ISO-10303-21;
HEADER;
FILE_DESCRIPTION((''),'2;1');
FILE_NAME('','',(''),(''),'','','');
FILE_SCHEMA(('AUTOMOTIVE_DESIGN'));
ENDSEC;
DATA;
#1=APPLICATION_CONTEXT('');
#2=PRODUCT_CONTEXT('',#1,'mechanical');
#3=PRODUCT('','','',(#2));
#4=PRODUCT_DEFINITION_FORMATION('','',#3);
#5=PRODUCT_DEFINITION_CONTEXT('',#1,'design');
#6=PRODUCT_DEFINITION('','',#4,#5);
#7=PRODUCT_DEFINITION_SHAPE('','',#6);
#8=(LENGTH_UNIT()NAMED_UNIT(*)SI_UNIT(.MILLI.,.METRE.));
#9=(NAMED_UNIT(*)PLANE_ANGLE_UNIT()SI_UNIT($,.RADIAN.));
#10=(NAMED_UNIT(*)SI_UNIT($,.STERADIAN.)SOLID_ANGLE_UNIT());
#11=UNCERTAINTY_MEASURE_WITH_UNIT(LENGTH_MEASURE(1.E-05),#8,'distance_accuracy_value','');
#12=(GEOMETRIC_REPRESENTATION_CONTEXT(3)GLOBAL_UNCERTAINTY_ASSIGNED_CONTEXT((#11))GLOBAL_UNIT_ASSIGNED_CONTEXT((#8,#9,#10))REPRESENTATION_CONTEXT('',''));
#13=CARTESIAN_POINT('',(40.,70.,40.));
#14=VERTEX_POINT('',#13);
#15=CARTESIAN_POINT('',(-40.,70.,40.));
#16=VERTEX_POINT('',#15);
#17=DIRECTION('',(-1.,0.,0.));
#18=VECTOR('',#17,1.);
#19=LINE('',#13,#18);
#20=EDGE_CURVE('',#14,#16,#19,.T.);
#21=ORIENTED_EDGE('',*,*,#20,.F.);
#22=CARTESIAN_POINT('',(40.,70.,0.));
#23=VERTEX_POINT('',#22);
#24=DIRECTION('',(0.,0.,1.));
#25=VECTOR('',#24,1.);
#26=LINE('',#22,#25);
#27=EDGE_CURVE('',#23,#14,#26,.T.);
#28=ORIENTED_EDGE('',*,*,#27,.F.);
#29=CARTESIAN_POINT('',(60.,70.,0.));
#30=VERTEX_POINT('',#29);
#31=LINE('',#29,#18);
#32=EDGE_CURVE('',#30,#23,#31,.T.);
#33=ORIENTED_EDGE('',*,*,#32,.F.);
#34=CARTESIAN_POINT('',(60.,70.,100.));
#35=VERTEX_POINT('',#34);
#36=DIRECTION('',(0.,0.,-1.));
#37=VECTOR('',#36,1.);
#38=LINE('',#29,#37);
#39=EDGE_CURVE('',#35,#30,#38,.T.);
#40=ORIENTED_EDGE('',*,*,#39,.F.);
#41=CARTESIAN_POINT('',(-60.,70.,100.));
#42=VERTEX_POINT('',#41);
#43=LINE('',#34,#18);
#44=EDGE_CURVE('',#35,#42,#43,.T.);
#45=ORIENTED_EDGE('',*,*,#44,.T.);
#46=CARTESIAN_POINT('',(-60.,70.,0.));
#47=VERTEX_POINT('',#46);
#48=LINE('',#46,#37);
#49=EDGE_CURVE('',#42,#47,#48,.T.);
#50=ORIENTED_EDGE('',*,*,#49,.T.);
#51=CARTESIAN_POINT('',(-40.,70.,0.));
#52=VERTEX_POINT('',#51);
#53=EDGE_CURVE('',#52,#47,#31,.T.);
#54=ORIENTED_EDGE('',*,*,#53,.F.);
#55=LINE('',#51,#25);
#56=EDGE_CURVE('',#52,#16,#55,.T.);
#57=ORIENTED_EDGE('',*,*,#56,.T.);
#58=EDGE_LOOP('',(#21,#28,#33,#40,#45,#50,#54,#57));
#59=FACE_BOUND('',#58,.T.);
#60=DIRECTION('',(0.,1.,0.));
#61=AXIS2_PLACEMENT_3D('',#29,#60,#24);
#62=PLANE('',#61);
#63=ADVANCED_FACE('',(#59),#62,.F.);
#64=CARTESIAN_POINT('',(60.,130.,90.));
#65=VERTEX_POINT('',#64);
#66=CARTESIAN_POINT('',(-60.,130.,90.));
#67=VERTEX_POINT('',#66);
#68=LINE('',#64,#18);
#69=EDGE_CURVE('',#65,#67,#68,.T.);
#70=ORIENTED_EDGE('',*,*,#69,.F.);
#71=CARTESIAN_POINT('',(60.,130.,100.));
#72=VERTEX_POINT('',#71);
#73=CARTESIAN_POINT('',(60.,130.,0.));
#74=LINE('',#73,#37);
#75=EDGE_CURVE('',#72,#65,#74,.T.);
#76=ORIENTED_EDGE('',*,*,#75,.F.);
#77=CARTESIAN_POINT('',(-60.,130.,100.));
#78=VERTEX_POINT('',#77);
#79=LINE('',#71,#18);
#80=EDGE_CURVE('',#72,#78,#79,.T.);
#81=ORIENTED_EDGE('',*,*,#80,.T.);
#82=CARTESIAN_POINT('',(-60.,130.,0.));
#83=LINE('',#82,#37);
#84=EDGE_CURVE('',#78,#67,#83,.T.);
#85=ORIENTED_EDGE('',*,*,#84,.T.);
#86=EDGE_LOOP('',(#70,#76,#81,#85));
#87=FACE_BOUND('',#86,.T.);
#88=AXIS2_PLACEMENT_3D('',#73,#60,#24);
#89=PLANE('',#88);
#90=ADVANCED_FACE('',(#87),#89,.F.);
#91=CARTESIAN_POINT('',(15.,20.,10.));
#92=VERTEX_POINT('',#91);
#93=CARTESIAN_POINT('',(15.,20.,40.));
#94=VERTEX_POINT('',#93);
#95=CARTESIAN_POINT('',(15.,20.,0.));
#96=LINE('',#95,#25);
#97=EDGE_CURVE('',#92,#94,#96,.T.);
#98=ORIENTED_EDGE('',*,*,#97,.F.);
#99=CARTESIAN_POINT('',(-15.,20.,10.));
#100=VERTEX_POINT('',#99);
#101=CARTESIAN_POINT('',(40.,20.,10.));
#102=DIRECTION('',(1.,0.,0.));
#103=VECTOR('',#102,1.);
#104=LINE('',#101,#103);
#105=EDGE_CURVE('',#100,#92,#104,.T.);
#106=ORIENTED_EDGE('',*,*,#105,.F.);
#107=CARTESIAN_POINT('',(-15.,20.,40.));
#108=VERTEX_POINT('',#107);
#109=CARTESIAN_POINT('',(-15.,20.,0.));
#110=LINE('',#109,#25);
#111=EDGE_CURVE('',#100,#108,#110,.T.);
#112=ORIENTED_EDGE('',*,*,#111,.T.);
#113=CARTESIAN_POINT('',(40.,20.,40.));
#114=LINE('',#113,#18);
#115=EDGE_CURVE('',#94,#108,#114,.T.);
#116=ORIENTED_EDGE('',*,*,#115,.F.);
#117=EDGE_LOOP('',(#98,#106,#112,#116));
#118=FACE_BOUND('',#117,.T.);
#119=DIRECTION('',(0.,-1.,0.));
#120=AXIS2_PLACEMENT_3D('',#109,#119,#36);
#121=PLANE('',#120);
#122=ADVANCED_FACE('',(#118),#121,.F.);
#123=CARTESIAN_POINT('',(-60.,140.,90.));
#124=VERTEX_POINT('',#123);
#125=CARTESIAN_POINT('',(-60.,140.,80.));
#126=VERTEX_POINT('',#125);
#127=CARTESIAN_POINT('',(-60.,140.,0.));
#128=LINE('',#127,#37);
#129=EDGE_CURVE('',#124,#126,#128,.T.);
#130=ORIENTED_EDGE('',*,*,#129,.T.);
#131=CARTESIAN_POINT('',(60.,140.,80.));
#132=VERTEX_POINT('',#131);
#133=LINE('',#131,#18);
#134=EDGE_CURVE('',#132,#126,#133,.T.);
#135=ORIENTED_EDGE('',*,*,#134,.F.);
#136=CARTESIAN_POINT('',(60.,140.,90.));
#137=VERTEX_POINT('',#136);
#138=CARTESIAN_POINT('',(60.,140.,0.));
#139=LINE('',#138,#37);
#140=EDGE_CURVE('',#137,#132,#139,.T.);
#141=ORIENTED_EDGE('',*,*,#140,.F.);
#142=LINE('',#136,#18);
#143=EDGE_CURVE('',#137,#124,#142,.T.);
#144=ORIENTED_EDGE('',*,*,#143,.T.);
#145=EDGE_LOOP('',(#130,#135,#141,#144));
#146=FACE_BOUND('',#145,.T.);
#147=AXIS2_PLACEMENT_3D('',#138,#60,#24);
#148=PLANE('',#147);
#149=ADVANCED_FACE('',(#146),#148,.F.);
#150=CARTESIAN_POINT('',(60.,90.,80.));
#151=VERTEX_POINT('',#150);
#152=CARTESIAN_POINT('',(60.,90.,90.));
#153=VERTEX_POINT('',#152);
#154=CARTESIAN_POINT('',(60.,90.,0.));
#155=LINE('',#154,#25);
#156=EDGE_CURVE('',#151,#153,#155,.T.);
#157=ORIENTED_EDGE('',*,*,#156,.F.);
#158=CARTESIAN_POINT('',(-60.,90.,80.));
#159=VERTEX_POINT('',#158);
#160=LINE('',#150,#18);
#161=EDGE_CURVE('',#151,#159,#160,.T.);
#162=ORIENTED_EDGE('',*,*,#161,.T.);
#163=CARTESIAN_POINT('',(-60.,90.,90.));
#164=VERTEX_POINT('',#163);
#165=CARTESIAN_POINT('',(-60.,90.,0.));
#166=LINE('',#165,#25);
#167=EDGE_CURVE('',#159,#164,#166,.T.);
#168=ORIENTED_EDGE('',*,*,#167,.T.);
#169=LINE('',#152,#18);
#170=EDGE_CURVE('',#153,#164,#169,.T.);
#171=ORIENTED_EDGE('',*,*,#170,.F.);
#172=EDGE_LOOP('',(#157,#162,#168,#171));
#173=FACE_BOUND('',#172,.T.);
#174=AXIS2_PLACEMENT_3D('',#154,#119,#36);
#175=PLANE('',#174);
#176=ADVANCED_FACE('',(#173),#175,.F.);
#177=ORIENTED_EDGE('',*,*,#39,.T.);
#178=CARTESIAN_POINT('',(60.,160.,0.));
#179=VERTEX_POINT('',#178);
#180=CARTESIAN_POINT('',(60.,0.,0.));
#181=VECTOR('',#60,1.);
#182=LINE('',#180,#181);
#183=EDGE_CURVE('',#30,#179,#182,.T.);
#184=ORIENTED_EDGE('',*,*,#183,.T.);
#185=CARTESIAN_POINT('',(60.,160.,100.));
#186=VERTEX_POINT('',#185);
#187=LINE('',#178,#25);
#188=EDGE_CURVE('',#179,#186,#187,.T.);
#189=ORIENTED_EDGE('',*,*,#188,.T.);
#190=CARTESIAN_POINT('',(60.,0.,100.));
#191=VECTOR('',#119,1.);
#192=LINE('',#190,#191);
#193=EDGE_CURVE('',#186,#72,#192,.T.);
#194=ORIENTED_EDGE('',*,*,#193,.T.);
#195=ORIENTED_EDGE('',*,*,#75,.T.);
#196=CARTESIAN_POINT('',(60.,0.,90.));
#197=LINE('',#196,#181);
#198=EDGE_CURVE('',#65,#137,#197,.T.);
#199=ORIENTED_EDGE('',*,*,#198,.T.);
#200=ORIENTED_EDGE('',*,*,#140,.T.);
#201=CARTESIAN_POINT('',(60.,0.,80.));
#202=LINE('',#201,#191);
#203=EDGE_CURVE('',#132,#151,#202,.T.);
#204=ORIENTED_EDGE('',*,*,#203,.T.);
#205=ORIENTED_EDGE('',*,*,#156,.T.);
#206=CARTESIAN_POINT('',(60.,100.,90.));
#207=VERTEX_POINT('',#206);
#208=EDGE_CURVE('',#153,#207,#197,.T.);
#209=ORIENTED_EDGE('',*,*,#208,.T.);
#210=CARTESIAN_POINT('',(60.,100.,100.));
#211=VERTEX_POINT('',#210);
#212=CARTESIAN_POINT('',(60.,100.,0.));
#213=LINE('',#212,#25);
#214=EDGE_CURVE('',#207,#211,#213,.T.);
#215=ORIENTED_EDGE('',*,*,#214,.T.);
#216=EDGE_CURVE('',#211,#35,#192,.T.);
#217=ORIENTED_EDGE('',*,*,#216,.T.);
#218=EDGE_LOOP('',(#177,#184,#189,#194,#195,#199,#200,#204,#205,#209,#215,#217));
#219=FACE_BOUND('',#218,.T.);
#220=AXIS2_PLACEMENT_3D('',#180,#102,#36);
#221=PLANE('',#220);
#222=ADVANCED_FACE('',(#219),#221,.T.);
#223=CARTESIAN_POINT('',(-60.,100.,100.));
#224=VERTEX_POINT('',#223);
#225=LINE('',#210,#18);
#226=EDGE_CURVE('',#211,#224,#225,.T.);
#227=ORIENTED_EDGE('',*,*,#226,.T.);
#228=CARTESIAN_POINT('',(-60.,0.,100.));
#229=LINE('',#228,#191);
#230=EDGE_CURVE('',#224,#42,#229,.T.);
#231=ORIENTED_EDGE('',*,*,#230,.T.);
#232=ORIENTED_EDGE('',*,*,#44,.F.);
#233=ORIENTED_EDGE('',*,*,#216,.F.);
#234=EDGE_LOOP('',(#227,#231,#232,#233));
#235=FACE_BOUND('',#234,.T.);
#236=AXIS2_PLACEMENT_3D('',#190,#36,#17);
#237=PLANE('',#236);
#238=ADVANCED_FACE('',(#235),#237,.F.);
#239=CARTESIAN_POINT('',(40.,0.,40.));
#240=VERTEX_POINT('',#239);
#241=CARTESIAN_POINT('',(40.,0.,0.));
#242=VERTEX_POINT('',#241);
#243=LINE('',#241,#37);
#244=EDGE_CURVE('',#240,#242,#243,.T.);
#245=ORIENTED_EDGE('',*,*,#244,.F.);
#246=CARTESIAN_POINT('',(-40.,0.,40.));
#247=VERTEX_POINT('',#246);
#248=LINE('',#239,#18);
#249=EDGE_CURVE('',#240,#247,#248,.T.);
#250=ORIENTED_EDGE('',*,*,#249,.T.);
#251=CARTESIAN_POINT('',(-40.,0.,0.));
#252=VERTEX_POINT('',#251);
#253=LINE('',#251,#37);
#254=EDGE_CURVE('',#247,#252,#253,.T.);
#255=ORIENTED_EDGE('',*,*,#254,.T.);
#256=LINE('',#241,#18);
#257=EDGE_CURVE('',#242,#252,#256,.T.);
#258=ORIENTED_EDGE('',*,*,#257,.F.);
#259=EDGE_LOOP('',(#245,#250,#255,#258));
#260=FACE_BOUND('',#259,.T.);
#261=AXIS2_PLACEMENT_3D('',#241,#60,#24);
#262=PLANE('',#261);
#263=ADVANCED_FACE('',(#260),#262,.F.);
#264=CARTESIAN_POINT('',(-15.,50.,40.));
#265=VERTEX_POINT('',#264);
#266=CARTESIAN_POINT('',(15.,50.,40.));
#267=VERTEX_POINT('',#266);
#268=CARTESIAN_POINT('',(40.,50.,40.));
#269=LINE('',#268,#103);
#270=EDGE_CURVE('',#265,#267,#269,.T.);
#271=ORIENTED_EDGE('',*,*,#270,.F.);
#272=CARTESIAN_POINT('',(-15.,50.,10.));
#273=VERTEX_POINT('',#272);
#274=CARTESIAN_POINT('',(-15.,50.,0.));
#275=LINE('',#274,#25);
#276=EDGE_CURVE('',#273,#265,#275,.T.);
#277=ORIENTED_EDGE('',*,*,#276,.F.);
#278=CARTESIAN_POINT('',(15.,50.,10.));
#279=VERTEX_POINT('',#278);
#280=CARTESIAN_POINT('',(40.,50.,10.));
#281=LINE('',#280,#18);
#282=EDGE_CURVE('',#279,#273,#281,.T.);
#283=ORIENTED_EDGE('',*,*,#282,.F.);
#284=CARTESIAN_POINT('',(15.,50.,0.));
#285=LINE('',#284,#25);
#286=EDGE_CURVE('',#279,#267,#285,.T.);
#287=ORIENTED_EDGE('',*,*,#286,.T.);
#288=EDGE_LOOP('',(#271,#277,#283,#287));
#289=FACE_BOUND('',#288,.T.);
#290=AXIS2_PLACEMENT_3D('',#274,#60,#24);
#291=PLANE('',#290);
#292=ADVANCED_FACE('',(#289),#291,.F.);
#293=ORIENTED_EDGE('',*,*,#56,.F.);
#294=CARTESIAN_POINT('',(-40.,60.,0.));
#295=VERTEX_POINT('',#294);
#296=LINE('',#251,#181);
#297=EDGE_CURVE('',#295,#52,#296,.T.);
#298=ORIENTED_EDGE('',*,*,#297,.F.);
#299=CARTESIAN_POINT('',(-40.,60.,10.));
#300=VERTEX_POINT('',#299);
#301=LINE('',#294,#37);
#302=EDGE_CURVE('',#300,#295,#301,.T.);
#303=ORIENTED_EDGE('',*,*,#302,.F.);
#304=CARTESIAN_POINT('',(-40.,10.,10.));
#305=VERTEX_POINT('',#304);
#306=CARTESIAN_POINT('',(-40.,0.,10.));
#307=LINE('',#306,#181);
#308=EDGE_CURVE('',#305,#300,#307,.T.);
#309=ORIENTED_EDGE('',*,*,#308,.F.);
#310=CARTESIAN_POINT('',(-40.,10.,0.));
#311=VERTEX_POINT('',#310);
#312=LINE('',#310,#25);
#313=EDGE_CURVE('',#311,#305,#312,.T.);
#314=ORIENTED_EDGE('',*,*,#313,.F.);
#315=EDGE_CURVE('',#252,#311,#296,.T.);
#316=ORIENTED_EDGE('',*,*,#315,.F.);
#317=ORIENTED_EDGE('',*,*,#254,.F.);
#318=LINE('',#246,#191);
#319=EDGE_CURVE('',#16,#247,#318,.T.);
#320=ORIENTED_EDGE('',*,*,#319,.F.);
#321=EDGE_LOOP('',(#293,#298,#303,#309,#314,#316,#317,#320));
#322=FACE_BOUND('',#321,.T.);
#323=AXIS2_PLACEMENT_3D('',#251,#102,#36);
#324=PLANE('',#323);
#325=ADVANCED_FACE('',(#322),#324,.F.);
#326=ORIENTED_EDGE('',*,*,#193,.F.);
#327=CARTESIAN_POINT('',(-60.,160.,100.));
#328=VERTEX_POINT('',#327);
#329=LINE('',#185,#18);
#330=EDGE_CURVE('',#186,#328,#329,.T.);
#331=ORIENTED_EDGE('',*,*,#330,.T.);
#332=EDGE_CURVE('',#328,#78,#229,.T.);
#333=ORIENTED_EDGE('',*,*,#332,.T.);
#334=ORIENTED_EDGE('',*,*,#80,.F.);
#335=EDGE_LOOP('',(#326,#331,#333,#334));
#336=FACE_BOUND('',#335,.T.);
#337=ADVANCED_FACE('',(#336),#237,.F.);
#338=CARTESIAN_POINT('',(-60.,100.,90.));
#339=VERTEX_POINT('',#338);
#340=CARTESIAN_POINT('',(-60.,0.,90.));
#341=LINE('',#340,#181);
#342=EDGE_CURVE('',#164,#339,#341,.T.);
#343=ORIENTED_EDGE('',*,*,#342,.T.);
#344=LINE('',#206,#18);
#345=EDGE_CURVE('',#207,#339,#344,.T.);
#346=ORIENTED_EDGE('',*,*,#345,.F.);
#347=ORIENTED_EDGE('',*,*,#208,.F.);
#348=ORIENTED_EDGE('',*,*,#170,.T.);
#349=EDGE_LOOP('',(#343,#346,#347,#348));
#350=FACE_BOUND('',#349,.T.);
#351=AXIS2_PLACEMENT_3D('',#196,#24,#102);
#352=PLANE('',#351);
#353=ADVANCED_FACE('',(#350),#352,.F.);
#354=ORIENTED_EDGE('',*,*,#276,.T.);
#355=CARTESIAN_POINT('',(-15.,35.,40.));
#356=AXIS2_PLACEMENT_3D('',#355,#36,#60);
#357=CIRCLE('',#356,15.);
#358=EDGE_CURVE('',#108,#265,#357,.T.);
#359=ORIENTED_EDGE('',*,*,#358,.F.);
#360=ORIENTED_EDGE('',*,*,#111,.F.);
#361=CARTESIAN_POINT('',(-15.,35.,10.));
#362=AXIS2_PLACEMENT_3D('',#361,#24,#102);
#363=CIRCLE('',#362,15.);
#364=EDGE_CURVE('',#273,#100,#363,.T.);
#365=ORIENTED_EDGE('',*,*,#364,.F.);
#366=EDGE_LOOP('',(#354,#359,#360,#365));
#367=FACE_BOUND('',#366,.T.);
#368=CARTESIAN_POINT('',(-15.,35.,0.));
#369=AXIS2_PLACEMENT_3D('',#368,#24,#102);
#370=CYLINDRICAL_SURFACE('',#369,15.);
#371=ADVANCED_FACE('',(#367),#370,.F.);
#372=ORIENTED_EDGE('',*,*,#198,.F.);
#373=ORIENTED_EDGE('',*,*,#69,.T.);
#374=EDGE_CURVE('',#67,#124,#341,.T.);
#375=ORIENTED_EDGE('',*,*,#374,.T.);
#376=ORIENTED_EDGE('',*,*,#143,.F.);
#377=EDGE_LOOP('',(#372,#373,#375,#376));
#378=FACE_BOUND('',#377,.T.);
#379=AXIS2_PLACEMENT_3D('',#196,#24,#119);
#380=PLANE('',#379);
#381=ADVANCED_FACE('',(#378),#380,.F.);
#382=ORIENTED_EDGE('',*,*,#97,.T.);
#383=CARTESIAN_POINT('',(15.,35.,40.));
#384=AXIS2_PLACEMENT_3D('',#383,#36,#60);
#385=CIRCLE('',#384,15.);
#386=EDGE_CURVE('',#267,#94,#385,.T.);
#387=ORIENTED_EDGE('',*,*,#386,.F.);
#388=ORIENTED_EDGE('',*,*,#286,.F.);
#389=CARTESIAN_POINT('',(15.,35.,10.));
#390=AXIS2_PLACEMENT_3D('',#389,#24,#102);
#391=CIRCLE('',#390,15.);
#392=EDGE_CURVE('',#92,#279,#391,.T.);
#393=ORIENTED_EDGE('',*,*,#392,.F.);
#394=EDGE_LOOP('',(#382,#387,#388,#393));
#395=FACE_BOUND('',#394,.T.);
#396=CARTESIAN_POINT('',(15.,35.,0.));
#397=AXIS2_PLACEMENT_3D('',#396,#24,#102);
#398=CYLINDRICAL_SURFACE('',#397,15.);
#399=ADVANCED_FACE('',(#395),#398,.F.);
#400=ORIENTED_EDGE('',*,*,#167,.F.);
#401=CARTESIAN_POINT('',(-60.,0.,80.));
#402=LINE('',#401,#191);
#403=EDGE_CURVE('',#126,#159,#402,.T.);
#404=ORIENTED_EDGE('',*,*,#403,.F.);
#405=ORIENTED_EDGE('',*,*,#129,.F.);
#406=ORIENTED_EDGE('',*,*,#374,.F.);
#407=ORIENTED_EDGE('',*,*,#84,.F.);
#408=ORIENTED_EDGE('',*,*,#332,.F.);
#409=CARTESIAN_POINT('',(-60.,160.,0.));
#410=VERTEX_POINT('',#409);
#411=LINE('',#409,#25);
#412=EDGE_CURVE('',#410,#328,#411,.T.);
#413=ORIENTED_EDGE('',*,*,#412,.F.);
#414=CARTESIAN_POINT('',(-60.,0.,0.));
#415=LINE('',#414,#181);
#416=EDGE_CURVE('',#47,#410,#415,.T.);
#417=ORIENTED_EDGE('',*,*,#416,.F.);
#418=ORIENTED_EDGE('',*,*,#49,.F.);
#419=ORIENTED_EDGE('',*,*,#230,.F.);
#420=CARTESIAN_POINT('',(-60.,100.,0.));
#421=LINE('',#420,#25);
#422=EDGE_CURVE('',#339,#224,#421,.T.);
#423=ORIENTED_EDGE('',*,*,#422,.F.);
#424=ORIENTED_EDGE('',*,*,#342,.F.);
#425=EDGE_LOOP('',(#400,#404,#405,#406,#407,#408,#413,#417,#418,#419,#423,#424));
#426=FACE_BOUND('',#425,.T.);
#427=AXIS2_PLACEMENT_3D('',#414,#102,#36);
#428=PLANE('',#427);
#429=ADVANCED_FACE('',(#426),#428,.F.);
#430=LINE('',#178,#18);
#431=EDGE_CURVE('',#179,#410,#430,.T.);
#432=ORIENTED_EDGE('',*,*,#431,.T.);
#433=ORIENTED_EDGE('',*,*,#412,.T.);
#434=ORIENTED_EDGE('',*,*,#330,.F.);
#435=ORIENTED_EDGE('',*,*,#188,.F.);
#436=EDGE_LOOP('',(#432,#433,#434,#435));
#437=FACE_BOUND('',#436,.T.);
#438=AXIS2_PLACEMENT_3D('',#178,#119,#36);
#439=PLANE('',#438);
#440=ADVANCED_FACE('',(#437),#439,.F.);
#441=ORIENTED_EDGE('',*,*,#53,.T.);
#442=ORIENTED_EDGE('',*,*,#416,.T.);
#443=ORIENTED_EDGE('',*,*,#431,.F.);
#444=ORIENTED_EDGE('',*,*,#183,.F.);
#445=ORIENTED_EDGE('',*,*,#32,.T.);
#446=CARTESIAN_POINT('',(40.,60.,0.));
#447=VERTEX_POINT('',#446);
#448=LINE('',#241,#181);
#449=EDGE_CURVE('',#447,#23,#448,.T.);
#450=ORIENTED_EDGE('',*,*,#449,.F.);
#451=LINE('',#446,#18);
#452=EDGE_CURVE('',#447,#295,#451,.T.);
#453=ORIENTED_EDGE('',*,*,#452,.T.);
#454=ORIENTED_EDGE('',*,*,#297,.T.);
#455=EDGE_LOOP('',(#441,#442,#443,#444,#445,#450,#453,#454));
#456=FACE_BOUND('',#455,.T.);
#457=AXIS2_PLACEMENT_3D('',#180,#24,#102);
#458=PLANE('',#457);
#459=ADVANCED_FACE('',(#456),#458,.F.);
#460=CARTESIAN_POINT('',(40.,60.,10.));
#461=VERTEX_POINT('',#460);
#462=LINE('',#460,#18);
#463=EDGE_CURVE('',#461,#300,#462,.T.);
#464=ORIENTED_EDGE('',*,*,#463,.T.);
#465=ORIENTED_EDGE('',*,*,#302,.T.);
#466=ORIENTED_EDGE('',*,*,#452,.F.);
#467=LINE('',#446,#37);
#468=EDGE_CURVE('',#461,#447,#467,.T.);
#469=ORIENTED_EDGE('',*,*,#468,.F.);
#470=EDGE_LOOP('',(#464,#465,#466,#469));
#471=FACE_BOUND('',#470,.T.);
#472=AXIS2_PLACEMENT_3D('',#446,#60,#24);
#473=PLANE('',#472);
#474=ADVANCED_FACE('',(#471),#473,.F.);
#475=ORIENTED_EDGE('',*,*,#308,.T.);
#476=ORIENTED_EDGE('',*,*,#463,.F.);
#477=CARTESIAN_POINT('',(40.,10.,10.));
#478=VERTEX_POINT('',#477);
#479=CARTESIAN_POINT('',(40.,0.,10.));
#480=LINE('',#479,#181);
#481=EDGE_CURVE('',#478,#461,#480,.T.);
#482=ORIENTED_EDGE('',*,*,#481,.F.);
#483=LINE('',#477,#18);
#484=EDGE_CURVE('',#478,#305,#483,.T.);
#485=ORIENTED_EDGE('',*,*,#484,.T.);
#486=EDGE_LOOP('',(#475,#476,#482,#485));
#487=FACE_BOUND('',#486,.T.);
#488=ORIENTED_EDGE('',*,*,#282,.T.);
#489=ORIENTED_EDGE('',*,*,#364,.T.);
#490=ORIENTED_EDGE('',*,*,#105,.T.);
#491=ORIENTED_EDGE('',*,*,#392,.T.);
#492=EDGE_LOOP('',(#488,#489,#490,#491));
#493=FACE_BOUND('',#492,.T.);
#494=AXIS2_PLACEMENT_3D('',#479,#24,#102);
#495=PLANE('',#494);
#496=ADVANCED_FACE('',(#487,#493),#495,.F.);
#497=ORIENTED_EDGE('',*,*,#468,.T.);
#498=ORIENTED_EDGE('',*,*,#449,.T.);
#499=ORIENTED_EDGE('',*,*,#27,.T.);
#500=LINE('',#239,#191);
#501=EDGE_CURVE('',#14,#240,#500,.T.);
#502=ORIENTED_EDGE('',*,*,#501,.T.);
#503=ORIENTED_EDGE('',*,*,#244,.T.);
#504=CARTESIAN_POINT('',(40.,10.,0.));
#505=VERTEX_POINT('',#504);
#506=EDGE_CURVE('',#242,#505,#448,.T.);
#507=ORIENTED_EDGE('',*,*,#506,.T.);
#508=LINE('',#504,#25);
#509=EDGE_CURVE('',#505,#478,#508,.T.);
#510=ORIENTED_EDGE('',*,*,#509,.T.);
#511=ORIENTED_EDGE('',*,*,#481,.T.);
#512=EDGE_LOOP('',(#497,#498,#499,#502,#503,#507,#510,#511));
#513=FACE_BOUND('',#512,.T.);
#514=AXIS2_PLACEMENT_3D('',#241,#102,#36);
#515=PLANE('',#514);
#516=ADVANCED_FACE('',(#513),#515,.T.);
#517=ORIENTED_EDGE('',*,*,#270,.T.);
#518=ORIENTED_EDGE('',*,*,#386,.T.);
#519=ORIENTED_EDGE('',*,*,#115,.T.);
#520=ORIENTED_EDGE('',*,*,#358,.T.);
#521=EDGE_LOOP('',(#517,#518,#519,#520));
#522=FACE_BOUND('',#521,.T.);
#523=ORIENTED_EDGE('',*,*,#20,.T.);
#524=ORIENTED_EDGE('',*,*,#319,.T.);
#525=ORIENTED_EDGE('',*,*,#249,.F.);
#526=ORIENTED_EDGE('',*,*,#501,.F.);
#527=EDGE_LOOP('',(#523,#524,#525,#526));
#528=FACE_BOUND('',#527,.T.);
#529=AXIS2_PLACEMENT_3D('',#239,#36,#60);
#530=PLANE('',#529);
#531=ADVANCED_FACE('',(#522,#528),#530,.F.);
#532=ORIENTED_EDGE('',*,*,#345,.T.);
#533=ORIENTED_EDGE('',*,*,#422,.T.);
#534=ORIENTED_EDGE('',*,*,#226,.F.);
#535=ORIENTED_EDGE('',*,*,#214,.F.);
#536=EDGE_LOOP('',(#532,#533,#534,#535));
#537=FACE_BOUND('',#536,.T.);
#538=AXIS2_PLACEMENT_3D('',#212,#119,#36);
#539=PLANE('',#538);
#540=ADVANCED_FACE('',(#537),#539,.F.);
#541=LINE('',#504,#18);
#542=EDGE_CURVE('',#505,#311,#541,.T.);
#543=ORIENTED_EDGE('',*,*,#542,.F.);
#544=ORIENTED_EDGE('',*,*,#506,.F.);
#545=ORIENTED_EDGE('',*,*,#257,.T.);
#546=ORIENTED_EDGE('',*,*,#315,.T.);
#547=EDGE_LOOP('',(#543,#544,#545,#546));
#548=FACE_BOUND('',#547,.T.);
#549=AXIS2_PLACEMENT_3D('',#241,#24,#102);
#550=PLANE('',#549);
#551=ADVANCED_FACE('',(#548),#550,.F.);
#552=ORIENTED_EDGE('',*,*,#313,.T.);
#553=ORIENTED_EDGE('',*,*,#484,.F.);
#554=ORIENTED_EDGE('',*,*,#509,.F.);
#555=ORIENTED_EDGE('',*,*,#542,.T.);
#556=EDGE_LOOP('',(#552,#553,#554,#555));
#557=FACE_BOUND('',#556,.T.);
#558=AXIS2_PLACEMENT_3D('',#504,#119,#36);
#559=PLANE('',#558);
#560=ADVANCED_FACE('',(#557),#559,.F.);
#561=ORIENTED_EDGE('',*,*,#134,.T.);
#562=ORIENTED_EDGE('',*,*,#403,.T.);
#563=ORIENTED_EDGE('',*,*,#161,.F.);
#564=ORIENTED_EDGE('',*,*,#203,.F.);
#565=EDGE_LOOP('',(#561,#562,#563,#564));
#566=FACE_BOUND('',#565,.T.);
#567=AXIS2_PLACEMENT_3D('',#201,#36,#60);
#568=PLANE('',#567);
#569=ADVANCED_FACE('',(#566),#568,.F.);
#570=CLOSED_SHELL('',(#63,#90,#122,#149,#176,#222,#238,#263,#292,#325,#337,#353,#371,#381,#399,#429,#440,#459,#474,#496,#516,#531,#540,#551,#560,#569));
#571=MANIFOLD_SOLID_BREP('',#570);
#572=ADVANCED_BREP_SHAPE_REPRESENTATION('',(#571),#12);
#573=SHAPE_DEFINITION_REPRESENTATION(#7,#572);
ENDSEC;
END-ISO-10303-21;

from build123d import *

# Parameters (mm, degrees)
BOSS_EXTRUDE1_DEPTH     = 60
BOSS_EXTRUDE2_DEPTH     = 40
CUT_EXTRUDE1_DEPTH      = 182.107702763
CUT_EXTRUDE1_DEPTH_BACK = 182.107702763


with BuildPart() as part:
    # Sketch1 → Boss-Extrude1 (new, symmetric)
    with BuildSketch(Plane.YZ):
        Polygon((70, 100), (70, 40), (70, 0), (160, 0), (160, 100), (130, 100), (130, 90), (140, 90), (140, 80), (90, 80), (90, 90), (100, 90), (100, 100), align=None)
    extrude(amount=BOSS_EXTRUDE1_DEPTH, both=True)

    # Sketch1<3> → Boss-Extrude2 (add, symmetric)
    with BuildSketch(Plane.YZ):
        Polygon((0, 40), (0, 0), (10, 0), (10, 10), (60, 10), (60, 0), (70, 0), (70, 40), align=None)
    extrude(amount=BOSS_EXTRUDE2_DEPTH, both=True)

    # Sketch2 → Cut-Extrude1 (cut, two sides: drawn at the far end of the back side and taken through both)
    with BuildSketch(Plane.XY.offset(40).offset(-CUT_EXTRUDE1_DEPTH_BACK)):
        with BuildLine():
            Line((-15, 50), (15, 50))
            ThreePointArc((15, 50), (30, 35), (15, 20))
            Line((15, 20), (-15, 20))
            ThreePointArc((-15, 20), (-30, 35), (-15, 50))
        make_face()
    extrude(amount=CUT_EXTRUDE1_DEPTH + CUT_EXTRUDE1_DEPTH_BACK, mode=Mode.SUBTRACT)


solid = part.part
